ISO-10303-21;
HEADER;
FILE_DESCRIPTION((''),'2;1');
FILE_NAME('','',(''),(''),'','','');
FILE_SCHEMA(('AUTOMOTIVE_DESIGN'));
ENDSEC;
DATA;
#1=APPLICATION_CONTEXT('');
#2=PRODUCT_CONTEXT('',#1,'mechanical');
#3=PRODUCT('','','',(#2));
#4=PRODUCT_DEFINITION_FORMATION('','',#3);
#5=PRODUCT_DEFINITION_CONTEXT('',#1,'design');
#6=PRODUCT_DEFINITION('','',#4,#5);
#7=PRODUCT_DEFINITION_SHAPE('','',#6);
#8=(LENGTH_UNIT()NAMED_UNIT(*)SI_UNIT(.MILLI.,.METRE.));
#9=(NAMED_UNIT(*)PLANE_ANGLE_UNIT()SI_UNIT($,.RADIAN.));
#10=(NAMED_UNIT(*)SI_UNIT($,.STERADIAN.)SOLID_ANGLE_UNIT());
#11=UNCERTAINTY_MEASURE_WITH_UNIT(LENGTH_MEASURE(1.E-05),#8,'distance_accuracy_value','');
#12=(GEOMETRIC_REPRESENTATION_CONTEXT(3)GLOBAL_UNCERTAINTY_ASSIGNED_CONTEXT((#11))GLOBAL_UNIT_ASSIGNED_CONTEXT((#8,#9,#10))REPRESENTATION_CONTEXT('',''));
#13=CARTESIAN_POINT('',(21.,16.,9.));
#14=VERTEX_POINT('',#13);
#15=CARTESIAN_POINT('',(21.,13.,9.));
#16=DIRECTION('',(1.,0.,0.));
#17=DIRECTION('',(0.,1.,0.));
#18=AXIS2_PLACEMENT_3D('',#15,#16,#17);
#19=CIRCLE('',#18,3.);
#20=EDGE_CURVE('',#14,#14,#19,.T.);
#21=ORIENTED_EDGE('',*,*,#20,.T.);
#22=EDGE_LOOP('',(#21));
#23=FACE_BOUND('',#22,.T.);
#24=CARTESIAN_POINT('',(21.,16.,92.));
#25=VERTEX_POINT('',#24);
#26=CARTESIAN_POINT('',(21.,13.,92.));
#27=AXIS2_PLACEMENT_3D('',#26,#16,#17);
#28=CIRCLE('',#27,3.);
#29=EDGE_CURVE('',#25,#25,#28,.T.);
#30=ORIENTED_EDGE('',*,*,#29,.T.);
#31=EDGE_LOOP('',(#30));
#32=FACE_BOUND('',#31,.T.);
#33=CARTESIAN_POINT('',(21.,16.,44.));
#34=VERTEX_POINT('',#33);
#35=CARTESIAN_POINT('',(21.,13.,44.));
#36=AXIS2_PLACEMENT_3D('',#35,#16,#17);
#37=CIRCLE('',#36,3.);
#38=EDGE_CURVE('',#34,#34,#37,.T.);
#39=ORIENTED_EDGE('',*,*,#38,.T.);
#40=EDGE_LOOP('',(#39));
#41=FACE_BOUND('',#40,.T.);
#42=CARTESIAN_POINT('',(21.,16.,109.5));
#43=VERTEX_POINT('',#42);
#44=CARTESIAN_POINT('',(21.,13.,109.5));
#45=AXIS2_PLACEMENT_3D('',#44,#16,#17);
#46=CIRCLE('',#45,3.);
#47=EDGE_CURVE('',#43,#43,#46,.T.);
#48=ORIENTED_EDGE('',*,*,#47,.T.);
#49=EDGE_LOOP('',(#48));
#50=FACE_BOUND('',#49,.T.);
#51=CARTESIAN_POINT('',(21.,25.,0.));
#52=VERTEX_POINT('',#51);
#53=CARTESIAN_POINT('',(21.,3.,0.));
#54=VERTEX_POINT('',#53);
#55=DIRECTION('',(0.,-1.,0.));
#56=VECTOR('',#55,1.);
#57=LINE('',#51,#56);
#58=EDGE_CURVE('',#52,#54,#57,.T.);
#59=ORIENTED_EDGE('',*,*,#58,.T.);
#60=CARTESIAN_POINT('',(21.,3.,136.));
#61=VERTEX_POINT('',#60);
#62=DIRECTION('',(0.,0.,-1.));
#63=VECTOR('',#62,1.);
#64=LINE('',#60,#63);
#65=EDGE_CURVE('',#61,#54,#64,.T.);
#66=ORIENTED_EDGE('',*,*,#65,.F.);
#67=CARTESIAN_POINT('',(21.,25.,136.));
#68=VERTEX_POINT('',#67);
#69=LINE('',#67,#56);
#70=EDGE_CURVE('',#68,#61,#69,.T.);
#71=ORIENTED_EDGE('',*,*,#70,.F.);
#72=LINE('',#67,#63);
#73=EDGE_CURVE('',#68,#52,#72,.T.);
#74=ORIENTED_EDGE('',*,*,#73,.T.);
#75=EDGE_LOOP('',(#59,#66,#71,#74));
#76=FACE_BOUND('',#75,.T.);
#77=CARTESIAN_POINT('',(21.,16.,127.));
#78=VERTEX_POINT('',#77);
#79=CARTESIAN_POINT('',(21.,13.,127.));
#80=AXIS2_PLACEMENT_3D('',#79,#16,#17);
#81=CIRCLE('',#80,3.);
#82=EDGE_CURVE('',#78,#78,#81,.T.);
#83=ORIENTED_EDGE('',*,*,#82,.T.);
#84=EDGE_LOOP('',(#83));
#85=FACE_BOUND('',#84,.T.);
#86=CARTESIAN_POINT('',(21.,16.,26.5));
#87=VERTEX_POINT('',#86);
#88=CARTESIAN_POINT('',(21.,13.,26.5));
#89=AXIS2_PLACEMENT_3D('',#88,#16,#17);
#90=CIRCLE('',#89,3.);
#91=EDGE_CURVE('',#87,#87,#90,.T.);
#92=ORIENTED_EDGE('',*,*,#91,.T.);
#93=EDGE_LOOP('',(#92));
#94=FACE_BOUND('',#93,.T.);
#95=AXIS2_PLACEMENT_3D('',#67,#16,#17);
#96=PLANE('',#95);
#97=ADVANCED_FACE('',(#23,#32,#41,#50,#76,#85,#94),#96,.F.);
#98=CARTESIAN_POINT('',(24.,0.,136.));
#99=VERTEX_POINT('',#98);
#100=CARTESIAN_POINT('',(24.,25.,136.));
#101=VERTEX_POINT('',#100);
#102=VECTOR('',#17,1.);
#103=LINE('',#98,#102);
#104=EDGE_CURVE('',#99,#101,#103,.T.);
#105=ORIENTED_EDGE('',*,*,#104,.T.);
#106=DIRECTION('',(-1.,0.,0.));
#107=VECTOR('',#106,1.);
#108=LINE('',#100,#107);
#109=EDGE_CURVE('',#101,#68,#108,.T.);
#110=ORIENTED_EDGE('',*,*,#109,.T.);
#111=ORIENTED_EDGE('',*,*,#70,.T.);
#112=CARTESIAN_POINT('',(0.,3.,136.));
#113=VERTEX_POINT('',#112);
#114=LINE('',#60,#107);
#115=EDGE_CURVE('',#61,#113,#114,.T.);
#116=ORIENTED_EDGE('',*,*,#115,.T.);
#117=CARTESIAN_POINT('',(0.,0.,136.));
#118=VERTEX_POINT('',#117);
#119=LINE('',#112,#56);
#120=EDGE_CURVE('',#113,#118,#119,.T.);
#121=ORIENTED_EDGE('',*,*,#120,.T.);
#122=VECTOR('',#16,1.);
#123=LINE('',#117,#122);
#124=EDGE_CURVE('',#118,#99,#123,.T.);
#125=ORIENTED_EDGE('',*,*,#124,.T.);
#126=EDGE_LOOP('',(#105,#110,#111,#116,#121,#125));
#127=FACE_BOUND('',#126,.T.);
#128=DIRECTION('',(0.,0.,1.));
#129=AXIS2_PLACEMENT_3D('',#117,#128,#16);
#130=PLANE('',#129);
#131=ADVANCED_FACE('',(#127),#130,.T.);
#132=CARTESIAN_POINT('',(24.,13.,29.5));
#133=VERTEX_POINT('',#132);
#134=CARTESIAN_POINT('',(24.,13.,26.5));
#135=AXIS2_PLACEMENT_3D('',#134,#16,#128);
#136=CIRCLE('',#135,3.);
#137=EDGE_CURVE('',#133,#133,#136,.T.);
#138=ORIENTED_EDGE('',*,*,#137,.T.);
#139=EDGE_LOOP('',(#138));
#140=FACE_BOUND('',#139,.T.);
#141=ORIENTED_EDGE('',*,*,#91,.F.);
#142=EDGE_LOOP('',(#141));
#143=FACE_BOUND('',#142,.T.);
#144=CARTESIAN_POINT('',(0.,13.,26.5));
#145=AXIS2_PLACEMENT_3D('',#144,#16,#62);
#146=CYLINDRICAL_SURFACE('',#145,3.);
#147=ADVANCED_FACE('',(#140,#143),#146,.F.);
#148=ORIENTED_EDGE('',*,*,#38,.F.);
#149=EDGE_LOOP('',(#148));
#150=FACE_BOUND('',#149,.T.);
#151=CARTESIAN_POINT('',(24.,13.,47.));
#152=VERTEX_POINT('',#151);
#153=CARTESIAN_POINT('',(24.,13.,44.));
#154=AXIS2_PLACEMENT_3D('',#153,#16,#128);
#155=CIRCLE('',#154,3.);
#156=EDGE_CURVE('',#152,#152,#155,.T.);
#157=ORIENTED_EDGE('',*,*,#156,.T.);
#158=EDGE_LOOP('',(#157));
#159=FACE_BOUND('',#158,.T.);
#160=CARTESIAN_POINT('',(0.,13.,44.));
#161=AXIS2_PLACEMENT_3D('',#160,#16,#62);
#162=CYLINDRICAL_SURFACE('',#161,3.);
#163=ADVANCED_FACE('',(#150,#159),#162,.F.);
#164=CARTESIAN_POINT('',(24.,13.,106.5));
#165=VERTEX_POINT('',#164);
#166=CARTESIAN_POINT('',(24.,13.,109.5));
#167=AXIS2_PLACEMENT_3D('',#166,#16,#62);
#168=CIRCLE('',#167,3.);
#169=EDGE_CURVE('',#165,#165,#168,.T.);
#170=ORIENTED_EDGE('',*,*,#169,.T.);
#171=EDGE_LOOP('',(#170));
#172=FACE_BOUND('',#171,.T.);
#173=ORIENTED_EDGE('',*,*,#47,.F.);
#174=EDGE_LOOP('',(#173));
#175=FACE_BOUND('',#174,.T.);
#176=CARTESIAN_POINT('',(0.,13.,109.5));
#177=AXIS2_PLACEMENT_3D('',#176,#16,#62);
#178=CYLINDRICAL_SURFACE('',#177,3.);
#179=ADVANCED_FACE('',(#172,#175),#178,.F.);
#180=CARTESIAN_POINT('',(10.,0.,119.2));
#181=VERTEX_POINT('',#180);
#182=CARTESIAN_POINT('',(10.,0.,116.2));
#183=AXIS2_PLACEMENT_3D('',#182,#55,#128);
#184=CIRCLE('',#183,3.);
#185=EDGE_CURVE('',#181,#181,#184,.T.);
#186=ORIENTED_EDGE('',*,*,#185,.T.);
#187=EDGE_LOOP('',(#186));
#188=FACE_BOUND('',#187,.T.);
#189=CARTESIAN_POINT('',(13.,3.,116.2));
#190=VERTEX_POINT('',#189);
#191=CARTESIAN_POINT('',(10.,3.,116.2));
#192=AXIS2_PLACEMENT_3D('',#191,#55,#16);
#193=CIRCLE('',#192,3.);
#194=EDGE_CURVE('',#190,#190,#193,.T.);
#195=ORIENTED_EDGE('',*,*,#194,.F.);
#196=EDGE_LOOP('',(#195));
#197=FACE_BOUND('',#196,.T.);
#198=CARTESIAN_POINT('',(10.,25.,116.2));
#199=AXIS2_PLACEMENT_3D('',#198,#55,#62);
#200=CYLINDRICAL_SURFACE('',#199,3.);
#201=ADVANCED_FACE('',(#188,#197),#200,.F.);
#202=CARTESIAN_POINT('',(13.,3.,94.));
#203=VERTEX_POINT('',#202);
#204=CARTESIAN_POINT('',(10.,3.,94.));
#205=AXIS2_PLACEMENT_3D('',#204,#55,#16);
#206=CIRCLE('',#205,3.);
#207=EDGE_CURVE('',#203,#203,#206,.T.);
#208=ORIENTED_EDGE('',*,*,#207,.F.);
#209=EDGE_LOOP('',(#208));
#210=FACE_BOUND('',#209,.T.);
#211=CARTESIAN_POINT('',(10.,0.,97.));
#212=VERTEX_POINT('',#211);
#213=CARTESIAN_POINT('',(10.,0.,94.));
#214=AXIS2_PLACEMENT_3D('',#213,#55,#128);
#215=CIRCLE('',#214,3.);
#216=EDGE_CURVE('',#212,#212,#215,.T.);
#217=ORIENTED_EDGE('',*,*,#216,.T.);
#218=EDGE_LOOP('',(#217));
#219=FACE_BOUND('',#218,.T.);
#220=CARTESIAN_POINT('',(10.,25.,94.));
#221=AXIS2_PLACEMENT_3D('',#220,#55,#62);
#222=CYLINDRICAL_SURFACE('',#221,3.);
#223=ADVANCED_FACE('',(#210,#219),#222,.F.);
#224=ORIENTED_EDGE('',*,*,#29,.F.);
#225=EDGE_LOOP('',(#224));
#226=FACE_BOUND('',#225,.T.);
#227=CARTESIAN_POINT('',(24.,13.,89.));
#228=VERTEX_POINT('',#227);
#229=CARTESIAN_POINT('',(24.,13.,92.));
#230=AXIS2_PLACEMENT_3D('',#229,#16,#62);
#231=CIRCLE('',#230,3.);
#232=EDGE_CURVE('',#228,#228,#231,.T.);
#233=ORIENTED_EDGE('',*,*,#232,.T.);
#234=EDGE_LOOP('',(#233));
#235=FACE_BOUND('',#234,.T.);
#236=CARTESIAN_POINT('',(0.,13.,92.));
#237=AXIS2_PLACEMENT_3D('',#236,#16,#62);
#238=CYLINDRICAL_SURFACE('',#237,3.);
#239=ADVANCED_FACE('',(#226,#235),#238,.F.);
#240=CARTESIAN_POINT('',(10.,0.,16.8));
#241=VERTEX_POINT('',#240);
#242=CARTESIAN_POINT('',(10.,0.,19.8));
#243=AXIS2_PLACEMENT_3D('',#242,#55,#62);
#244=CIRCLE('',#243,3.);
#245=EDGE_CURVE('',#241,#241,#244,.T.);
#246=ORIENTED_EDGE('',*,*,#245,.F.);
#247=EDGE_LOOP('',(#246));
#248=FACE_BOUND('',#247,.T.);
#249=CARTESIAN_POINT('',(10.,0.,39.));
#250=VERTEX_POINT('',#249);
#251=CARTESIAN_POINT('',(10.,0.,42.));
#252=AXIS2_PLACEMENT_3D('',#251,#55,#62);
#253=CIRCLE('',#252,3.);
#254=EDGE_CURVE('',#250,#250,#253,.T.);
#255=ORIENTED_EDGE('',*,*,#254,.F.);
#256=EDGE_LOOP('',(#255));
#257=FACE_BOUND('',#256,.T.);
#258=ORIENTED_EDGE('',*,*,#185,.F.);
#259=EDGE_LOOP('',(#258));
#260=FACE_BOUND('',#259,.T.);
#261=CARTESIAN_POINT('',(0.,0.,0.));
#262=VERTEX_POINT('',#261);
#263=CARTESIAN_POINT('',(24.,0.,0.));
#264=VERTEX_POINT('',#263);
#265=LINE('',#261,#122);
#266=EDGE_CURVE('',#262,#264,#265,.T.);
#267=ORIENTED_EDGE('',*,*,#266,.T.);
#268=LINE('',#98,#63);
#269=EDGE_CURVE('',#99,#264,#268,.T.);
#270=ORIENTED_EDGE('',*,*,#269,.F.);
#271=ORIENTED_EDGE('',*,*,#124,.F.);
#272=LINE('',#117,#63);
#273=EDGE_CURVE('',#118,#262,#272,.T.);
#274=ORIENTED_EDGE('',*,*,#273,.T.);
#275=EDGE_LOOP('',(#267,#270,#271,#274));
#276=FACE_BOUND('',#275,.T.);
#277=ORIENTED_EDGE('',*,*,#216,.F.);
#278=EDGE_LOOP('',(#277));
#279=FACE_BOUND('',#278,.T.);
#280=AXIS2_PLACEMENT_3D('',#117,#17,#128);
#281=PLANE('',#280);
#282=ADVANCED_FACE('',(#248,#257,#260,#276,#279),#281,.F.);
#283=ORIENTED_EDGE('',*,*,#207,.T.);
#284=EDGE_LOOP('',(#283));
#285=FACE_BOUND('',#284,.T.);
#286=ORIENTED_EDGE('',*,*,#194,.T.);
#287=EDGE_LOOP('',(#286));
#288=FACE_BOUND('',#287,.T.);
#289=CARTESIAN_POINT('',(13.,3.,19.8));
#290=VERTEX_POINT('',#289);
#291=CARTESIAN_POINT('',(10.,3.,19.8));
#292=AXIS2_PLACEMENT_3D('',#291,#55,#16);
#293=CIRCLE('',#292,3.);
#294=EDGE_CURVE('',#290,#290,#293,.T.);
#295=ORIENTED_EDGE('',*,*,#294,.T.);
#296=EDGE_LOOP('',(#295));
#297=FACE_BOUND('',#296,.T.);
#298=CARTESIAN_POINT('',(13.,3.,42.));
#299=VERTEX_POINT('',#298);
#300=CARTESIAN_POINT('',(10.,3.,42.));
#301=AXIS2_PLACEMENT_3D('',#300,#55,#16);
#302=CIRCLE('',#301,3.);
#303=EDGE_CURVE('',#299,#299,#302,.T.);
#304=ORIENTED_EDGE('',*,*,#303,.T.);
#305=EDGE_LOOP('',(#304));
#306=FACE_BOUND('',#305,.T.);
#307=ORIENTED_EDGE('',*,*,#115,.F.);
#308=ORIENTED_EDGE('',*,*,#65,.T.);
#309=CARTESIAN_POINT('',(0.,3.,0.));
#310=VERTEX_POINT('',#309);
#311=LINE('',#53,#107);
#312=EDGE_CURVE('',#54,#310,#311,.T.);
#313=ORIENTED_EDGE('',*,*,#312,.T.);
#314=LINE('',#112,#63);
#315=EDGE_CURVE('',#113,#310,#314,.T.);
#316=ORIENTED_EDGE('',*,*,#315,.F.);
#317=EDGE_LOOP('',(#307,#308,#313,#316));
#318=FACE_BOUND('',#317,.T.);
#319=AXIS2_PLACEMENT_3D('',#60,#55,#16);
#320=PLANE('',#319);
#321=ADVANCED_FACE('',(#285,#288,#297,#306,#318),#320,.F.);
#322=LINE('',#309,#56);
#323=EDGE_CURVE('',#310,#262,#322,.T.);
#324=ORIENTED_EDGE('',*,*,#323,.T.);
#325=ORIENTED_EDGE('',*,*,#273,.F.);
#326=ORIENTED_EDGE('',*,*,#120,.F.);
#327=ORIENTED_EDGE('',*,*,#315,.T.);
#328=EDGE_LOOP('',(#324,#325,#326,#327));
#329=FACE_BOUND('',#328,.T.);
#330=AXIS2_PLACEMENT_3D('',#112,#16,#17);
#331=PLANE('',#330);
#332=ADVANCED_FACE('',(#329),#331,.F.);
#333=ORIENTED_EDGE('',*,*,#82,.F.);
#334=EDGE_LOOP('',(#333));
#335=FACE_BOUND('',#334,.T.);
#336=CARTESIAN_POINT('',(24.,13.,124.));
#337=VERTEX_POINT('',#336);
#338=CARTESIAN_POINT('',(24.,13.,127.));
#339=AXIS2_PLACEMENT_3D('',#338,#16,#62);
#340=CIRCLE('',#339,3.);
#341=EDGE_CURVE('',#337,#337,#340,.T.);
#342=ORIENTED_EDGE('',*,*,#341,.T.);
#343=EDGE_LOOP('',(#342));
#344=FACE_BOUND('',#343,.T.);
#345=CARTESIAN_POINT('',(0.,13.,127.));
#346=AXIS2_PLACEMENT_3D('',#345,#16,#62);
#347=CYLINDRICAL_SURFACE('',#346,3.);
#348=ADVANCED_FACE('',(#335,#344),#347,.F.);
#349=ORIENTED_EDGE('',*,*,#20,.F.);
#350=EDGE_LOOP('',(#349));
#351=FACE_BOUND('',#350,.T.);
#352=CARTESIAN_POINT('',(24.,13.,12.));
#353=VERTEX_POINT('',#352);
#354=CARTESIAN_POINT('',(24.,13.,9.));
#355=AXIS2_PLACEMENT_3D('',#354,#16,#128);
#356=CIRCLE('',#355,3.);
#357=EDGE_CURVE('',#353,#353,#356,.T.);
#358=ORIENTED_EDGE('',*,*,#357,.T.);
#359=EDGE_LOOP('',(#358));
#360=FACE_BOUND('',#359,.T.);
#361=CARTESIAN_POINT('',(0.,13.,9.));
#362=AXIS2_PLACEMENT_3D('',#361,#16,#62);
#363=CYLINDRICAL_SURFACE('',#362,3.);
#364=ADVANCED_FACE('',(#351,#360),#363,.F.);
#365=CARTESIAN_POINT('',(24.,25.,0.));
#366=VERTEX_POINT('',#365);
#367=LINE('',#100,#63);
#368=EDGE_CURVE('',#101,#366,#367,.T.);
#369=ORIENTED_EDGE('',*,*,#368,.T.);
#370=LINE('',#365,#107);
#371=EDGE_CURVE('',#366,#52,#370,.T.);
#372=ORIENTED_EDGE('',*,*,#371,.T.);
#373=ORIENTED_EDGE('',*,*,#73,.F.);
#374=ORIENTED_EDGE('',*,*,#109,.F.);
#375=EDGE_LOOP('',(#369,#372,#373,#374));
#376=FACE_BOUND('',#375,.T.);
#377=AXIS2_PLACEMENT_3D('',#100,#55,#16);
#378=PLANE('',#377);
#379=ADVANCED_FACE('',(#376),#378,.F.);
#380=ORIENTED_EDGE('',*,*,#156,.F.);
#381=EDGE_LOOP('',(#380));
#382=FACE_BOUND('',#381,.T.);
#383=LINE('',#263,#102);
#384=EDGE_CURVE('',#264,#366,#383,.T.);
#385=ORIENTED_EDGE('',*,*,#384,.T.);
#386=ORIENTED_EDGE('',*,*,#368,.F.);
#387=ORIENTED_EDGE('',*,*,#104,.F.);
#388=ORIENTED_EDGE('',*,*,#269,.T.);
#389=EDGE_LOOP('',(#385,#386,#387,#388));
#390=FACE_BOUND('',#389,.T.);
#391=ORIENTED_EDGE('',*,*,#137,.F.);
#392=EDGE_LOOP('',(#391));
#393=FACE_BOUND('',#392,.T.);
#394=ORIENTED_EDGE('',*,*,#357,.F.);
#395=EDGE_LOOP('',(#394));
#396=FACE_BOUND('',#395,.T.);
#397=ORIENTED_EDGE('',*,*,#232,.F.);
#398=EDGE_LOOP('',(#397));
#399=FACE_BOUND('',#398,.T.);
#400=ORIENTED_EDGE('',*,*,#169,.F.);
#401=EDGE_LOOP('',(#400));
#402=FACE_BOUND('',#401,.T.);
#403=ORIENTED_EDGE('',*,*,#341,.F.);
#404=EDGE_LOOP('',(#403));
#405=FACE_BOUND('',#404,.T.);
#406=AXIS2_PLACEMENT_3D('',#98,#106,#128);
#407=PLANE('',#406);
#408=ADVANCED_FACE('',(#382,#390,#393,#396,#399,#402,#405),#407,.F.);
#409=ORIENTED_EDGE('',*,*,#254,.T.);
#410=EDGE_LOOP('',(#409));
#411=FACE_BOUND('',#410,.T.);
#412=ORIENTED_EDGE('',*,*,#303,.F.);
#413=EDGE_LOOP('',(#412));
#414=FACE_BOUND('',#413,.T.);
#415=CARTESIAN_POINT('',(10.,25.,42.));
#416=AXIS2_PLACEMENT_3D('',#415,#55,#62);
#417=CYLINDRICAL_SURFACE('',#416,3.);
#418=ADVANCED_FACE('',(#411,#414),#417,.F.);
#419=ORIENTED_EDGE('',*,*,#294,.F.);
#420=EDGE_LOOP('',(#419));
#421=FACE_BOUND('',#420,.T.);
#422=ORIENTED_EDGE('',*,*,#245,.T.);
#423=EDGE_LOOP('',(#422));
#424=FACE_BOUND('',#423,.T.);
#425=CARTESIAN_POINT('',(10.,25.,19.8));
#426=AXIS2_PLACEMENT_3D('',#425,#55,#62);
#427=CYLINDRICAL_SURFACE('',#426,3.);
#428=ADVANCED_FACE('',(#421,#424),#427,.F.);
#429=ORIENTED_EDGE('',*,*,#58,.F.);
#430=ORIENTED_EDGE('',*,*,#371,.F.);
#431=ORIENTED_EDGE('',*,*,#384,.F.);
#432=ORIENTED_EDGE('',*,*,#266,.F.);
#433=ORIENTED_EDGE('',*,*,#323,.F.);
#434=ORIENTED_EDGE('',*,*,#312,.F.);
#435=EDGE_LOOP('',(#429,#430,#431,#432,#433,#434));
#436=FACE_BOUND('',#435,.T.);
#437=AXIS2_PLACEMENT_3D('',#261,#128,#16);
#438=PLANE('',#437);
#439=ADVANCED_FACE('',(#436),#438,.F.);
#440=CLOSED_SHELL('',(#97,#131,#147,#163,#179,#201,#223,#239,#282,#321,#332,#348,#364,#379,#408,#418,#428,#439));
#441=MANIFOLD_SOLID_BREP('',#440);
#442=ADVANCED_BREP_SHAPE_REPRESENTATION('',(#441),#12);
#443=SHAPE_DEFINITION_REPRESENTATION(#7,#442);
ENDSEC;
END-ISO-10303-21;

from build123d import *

# Parameters (mm, degrees)
SALIENTE_EXTRUIR1_DEPTH = 136
CROQUIS2_R              = 3
CORTAR_EXTRUIR1_DEPTH   = 25
CROQUIS3_R              = 3
CORTAR_EXTRUIR2_DEPTH   = 26


with BuildPart() as part:
    # Croquis1 → Saliente-Extruir1 (new body)
    with BuildSketch(Plane.XY):
        Polygon((0, 0), (24, 0), (24, 25), (21, 25), (21, 3), (0, 3), align=None)
    extrude(amount=SALIENTE_EXTRUIR1_DEPTH)

    # Croquis2 → Cortar-Extruir1 (cut, through all)
    with BuildSketch(Plane(origin=(24, 0, 0), x_dir=(0, 0, -1), z_dir=(1, 0, 0))):
        with Locations((-127, 13)):
            Circle(CROQUIS2_R)
        with Locations((-109.5, 13)):
            Circle(CROQUIS2_R)
        with Locations((-92, 13)):
            Circle(CROQUIS2_R)
        with Locations((-9, 13)):
            Circle(CROQUIS2_R)
        with Locations((-26.5, 13)):
            Circle(CROQUIS2_R)
        with Locations((-44, 13)):
            Circle(CROQUIS2_R)
    extrude(amount=-CORTAR_EXTRUIR1_DEPTH, mode=Mode.SUBTRACT)

    # Croquis3 → Cortar-Extruir2 (cut, through all)
    with BuildSketch(Plane.XZ):
        with Locations((10, 19.8)):
            Circle(CROQUIS3_R)
        with Locations((10, 42)):
            Circle(CROQUIS3_R)
        with Locations((10, 116.2)):
            Circle(CROQUIS3_R)
        with Locations((10, 94)):
            Circle(CROQUIS3_R)
    extrude(amount=-CORTAR_EXTRUIR2_DEPTH, mode=Mode.SUBTRACT)


solid = part.part
